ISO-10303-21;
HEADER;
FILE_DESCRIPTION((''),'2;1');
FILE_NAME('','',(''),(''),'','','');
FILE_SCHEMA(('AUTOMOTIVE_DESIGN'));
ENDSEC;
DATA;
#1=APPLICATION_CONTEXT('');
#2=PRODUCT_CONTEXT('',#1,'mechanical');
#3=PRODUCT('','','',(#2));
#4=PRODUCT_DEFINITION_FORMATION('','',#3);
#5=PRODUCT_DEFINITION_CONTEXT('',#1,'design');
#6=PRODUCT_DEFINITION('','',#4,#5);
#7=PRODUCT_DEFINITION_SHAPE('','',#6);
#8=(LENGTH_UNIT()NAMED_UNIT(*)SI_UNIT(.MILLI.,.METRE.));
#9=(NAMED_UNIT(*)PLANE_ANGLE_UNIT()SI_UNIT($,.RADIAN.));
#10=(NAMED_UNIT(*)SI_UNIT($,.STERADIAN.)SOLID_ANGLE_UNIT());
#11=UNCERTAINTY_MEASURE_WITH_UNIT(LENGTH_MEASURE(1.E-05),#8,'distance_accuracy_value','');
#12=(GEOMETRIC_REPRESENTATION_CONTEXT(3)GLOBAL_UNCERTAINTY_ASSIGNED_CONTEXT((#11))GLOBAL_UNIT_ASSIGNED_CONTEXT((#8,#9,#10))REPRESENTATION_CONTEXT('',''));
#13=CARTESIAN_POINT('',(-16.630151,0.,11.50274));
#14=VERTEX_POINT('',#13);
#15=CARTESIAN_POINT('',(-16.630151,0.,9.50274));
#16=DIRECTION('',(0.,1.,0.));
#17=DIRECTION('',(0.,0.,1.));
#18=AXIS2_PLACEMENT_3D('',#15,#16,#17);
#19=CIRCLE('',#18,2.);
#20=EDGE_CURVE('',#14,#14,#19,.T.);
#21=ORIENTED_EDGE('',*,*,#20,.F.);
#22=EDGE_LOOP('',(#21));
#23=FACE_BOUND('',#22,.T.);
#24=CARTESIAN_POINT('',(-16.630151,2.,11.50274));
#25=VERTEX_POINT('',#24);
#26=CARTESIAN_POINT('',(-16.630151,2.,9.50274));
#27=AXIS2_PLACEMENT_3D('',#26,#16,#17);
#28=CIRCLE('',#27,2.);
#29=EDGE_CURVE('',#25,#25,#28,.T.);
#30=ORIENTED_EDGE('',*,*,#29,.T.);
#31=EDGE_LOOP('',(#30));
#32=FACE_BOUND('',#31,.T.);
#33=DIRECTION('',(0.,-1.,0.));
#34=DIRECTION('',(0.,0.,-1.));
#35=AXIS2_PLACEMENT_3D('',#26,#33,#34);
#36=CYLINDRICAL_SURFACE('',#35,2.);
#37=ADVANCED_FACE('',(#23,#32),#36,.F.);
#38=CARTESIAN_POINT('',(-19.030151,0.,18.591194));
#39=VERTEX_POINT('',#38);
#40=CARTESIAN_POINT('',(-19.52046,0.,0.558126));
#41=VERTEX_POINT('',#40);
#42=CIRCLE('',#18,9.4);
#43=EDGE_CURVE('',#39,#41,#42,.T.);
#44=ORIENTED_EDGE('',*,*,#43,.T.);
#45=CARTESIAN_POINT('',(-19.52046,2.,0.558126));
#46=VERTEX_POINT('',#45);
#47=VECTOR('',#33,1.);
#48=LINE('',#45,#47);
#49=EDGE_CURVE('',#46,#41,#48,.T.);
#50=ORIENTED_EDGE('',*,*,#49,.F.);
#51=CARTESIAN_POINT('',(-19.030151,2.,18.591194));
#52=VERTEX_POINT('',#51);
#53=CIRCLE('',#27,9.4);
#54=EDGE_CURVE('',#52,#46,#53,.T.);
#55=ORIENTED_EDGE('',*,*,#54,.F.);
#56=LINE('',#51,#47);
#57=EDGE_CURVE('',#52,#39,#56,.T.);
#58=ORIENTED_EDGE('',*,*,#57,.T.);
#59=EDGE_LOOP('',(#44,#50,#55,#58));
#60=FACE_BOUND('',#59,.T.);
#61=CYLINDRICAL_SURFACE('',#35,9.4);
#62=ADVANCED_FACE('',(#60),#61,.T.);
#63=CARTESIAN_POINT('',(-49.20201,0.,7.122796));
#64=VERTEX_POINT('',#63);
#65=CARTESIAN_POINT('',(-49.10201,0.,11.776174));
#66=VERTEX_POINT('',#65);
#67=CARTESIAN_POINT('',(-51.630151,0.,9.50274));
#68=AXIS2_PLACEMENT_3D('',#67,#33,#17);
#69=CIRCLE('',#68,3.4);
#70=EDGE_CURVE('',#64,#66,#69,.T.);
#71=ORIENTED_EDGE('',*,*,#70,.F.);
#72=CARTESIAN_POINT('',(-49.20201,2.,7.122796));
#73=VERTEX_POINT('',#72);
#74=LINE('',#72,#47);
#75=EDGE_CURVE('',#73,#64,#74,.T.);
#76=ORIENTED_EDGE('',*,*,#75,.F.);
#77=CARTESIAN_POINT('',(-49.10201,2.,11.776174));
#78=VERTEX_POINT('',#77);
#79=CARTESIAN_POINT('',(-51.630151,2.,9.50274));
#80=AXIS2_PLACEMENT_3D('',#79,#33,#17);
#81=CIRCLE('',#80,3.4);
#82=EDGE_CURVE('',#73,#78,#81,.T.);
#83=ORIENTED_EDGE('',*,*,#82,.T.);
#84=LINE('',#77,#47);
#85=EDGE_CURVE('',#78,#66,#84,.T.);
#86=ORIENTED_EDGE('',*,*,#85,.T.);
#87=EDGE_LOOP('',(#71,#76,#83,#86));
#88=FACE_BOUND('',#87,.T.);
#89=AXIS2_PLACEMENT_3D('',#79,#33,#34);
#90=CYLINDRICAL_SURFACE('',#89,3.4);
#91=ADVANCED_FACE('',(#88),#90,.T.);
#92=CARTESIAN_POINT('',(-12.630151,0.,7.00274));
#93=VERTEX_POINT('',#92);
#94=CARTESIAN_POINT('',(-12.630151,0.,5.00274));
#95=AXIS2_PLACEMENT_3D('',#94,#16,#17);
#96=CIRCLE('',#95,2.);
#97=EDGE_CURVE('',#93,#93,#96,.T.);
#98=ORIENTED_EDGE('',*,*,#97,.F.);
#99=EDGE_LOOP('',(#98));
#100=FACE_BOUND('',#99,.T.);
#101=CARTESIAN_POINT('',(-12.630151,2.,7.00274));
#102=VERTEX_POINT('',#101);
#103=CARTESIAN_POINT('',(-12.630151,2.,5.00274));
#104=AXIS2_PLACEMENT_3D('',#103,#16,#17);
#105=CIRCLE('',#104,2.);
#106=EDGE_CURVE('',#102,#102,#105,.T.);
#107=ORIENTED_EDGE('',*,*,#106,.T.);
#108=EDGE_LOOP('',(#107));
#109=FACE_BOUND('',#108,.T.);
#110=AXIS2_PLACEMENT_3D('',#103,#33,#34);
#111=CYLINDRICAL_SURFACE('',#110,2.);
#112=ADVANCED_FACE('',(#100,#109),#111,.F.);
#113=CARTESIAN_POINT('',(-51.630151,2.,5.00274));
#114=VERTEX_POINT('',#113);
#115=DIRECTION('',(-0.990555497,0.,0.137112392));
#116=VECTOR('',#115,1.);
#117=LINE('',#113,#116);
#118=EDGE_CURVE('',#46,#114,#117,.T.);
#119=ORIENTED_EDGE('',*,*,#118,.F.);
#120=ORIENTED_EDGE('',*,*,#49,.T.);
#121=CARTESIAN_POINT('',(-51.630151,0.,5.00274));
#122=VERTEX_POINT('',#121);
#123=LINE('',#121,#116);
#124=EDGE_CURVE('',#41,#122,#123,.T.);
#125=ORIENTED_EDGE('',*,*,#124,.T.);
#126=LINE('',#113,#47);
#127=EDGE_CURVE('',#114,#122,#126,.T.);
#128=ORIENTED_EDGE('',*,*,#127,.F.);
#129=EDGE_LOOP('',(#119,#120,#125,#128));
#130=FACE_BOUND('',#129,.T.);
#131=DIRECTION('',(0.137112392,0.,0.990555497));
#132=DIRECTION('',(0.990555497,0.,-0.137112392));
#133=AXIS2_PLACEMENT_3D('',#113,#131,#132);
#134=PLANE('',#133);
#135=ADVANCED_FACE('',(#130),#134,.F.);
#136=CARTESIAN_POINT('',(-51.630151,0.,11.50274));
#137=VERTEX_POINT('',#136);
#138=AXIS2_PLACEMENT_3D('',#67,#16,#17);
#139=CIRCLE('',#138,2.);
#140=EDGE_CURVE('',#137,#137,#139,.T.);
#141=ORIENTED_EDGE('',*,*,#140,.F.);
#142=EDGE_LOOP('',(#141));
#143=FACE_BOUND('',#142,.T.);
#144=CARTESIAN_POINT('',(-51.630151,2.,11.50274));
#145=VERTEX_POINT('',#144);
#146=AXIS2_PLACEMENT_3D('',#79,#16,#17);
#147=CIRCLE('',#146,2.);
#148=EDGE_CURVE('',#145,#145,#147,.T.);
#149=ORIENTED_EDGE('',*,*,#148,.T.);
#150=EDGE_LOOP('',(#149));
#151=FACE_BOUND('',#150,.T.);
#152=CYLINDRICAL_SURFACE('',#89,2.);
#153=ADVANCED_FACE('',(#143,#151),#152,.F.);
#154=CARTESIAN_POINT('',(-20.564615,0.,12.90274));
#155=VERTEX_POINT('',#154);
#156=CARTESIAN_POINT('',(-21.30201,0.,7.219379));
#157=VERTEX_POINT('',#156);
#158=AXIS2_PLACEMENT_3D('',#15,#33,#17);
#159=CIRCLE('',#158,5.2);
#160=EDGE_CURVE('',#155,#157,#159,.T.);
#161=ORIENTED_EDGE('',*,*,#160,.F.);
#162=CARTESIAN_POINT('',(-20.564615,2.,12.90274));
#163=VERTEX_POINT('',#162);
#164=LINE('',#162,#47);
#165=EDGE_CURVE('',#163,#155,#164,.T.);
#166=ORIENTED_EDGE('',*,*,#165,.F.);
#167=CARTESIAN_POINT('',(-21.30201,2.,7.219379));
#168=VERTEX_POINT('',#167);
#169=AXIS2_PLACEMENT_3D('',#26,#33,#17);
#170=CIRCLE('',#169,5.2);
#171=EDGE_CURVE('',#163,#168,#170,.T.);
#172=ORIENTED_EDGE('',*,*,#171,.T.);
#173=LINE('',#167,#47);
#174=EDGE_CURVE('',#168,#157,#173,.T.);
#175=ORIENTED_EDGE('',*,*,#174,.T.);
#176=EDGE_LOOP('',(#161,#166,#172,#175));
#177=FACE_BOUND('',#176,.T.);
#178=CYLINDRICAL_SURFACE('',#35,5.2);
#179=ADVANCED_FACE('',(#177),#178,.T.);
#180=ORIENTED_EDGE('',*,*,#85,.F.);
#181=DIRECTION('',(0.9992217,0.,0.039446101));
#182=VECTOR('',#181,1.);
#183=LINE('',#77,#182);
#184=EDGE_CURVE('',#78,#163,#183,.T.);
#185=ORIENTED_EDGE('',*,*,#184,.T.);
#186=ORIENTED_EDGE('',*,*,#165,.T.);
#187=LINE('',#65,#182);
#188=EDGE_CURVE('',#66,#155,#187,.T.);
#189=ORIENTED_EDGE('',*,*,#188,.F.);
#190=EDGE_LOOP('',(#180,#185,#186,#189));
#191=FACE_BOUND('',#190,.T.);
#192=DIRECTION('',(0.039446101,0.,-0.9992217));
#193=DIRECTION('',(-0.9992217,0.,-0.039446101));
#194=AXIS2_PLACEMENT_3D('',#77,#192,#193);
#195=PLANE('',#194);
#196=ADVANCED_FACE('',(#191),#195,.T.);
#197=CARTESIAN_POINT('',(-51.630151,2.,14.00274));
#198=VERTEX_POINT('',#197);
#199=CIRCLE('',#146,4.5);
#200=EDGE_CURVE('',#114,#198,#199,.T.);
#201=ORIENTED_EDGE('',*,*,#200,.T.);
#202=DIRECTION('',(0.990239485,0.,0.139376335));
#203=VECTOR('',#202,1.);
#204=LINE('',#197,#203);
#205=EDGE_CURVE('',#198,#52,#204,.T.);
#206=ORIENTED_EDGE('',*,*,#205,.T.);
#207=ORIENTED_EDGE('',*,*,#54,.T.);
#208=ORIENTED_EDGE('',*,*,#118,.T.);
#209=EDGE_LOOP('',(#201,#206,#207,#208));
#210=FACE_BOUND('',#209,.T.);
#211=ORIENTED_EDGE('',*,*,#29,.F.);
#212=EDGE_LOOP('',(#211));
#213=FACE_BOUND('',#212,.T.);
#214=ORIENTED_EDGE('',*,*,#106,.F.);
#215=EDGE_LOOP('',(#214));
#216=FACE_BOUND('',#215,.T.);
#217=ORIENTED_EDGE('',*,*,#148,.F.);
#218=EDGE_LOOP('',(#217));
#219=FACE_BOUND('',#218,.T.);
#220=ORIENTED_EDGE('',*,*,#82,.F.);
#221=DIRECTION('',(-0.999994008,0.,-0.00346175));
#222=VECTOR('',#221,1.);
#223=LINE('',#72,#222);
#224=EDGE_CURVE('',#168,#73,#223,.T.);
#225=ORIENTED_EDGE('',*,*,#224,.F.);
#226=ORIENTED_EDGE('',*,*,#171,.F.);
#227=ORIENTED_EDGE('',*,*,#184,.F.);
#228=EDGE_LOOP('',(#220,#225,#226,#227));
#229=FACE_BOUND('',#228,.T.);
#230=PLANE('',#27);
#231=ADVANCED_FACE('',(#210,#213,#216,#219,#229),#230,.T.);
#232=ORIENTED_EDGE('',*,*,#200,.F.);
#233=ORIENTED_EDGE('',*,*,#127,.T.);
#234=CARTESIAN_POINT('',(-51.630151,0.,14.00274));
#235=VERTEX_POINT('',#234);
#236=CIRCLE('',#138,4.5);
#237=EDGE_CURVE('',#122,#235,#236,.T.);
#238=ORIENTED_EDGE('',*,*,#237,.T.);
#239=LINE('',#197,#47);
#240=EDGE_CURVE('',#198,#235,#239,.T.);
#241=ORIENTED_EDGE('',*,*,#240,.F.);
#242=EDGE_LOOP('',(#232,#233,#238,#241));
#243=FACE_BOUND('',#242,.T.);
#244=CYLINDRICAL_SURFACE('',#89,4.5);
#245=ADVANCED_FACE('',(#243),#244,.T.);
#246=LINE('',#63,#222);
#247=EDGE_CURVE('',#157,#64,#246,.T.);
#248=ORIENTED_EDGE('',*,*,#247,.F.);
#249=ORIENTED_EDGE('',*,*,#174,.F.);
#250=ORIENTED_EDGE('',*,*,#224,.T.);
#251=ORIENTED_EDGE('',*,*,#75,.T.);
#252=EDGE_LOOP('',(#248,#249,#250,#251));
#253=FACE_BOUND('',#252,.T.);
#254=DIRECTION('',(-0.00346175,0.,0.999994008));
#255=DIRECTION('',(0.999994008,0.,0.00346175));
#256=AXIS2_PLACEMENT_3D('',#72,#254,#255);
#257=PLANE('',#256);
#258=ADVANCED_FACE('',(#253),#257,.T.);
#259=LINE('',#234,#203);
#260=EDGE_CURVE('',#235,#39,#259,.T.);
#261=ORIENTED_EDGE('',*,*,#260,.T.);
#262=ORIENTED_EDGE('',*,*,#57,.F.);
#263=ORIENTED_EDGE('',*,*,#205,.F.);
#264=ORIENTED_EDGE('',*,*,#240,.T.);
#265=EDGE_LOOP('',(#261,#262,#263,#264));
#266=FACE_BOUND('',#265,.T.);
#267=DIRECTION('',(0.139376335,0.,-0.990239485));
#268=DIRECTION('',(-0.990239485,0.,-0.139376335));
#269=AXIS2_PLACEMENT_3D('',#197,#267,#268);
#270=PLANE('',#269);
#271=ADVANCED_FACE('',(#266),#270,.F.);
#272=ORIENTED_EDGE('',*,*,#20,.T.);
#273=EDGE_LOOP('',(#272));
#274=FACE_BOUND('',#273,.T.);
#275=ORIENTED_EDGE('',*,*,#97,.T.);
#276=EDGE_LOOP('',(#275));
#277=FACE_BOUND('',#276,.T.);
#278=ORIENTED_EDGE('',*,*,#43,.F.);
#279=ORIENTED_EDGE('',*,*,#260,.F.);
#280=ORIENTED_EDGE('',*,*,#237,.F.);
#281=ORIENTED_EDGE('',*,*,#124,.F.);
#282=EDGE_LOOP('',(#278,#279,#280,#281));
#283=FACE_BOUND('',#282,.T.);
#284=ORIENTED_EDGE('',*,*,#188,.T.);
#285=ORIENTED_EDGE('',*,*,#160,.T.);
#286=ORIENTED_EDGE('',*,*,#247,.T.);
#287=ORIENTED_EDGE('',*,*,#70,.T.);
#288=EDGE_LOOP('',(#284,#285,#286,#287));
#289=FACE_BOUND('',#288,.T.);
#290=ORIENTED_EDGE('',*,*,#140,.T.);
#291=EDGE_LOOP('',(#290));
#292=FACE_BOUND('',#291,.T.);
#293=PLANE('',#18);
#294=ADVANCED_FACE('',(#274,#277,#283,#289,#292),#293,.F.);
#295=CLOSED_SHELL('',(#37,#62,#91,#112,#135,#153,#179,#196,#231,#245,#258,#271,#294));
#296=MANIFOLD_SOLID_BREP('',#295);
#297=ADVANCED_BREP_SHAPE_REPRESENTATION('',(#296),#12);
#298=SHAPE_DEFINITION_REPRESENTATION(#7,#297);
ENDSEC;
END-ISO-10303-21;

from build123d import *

# Parameters (mm, degrees)
SKETCH1_R           = 2
BOSS_EXTRUDE1_DEPTH = 2


with BuildPart() as part:
    # Sketch1 → Boss-Extrude1 (new body)
    with BuildSketch(Plane(origin=(0, 0, 0), x_dir=(1, 0, 0), z_dir=(0, 1, 0))):
        with BuildLine():
            Line((-51.630151438, -5.002739553), (-19.52046035, -0.558125845))
            ThreePointArc((-19.52046035, -0.558125845), (-7.23362406, -9.247253291), (-19.030151438, -18.591193767))
            Line((-19.030151438, -18.591193767), (-51.630151438, -14.002739553))
            ThreePointArc((-51.630151438, -14.002739553), (-56.130151438, -9.502739553), (-51.630151438, -5.002739553))
        make_face()
        with Locations(Location((-16.630151438, -9.502739553, 0), (0, 0, 270))):
            Circle(SKETCH1_R, mode=Mode.SUBTRACT)
        with Locations(Location((-51.630151438, -9.502739553, 0), (0, 0, 270))):
            Circle(SKETCH1_R, mode=Mode.SUBTRACT)
        with Locations(Location((-12.630151438, -5.002739553, 0), (0, 0, 270))):
            Circle(SKETCH1_R, mode=Mode.SUBTRACT)
        with BuildLine():
            Line((-49.20201043, -7.122796016), (-21.30201043, -7.219379406))
            ThreePointArc((-21.30201043, -7.219379406), (-21.78692763, -10.171813025), (-20.564614553, -12.902739553))
            Line((-20.564614553, -12.902739553), (-49.10201043, -11.776173749))
            ThreePointArc((-49.10201043, -11.776173749), (-48.230936244, -9.429691213), (-49.20201043, -7.122796016))
        make_face(mode=Mode.SUBTRACT)
    extrude(amount=BOSS_EXTRUDE1_DEPTH)


solid = part.part
